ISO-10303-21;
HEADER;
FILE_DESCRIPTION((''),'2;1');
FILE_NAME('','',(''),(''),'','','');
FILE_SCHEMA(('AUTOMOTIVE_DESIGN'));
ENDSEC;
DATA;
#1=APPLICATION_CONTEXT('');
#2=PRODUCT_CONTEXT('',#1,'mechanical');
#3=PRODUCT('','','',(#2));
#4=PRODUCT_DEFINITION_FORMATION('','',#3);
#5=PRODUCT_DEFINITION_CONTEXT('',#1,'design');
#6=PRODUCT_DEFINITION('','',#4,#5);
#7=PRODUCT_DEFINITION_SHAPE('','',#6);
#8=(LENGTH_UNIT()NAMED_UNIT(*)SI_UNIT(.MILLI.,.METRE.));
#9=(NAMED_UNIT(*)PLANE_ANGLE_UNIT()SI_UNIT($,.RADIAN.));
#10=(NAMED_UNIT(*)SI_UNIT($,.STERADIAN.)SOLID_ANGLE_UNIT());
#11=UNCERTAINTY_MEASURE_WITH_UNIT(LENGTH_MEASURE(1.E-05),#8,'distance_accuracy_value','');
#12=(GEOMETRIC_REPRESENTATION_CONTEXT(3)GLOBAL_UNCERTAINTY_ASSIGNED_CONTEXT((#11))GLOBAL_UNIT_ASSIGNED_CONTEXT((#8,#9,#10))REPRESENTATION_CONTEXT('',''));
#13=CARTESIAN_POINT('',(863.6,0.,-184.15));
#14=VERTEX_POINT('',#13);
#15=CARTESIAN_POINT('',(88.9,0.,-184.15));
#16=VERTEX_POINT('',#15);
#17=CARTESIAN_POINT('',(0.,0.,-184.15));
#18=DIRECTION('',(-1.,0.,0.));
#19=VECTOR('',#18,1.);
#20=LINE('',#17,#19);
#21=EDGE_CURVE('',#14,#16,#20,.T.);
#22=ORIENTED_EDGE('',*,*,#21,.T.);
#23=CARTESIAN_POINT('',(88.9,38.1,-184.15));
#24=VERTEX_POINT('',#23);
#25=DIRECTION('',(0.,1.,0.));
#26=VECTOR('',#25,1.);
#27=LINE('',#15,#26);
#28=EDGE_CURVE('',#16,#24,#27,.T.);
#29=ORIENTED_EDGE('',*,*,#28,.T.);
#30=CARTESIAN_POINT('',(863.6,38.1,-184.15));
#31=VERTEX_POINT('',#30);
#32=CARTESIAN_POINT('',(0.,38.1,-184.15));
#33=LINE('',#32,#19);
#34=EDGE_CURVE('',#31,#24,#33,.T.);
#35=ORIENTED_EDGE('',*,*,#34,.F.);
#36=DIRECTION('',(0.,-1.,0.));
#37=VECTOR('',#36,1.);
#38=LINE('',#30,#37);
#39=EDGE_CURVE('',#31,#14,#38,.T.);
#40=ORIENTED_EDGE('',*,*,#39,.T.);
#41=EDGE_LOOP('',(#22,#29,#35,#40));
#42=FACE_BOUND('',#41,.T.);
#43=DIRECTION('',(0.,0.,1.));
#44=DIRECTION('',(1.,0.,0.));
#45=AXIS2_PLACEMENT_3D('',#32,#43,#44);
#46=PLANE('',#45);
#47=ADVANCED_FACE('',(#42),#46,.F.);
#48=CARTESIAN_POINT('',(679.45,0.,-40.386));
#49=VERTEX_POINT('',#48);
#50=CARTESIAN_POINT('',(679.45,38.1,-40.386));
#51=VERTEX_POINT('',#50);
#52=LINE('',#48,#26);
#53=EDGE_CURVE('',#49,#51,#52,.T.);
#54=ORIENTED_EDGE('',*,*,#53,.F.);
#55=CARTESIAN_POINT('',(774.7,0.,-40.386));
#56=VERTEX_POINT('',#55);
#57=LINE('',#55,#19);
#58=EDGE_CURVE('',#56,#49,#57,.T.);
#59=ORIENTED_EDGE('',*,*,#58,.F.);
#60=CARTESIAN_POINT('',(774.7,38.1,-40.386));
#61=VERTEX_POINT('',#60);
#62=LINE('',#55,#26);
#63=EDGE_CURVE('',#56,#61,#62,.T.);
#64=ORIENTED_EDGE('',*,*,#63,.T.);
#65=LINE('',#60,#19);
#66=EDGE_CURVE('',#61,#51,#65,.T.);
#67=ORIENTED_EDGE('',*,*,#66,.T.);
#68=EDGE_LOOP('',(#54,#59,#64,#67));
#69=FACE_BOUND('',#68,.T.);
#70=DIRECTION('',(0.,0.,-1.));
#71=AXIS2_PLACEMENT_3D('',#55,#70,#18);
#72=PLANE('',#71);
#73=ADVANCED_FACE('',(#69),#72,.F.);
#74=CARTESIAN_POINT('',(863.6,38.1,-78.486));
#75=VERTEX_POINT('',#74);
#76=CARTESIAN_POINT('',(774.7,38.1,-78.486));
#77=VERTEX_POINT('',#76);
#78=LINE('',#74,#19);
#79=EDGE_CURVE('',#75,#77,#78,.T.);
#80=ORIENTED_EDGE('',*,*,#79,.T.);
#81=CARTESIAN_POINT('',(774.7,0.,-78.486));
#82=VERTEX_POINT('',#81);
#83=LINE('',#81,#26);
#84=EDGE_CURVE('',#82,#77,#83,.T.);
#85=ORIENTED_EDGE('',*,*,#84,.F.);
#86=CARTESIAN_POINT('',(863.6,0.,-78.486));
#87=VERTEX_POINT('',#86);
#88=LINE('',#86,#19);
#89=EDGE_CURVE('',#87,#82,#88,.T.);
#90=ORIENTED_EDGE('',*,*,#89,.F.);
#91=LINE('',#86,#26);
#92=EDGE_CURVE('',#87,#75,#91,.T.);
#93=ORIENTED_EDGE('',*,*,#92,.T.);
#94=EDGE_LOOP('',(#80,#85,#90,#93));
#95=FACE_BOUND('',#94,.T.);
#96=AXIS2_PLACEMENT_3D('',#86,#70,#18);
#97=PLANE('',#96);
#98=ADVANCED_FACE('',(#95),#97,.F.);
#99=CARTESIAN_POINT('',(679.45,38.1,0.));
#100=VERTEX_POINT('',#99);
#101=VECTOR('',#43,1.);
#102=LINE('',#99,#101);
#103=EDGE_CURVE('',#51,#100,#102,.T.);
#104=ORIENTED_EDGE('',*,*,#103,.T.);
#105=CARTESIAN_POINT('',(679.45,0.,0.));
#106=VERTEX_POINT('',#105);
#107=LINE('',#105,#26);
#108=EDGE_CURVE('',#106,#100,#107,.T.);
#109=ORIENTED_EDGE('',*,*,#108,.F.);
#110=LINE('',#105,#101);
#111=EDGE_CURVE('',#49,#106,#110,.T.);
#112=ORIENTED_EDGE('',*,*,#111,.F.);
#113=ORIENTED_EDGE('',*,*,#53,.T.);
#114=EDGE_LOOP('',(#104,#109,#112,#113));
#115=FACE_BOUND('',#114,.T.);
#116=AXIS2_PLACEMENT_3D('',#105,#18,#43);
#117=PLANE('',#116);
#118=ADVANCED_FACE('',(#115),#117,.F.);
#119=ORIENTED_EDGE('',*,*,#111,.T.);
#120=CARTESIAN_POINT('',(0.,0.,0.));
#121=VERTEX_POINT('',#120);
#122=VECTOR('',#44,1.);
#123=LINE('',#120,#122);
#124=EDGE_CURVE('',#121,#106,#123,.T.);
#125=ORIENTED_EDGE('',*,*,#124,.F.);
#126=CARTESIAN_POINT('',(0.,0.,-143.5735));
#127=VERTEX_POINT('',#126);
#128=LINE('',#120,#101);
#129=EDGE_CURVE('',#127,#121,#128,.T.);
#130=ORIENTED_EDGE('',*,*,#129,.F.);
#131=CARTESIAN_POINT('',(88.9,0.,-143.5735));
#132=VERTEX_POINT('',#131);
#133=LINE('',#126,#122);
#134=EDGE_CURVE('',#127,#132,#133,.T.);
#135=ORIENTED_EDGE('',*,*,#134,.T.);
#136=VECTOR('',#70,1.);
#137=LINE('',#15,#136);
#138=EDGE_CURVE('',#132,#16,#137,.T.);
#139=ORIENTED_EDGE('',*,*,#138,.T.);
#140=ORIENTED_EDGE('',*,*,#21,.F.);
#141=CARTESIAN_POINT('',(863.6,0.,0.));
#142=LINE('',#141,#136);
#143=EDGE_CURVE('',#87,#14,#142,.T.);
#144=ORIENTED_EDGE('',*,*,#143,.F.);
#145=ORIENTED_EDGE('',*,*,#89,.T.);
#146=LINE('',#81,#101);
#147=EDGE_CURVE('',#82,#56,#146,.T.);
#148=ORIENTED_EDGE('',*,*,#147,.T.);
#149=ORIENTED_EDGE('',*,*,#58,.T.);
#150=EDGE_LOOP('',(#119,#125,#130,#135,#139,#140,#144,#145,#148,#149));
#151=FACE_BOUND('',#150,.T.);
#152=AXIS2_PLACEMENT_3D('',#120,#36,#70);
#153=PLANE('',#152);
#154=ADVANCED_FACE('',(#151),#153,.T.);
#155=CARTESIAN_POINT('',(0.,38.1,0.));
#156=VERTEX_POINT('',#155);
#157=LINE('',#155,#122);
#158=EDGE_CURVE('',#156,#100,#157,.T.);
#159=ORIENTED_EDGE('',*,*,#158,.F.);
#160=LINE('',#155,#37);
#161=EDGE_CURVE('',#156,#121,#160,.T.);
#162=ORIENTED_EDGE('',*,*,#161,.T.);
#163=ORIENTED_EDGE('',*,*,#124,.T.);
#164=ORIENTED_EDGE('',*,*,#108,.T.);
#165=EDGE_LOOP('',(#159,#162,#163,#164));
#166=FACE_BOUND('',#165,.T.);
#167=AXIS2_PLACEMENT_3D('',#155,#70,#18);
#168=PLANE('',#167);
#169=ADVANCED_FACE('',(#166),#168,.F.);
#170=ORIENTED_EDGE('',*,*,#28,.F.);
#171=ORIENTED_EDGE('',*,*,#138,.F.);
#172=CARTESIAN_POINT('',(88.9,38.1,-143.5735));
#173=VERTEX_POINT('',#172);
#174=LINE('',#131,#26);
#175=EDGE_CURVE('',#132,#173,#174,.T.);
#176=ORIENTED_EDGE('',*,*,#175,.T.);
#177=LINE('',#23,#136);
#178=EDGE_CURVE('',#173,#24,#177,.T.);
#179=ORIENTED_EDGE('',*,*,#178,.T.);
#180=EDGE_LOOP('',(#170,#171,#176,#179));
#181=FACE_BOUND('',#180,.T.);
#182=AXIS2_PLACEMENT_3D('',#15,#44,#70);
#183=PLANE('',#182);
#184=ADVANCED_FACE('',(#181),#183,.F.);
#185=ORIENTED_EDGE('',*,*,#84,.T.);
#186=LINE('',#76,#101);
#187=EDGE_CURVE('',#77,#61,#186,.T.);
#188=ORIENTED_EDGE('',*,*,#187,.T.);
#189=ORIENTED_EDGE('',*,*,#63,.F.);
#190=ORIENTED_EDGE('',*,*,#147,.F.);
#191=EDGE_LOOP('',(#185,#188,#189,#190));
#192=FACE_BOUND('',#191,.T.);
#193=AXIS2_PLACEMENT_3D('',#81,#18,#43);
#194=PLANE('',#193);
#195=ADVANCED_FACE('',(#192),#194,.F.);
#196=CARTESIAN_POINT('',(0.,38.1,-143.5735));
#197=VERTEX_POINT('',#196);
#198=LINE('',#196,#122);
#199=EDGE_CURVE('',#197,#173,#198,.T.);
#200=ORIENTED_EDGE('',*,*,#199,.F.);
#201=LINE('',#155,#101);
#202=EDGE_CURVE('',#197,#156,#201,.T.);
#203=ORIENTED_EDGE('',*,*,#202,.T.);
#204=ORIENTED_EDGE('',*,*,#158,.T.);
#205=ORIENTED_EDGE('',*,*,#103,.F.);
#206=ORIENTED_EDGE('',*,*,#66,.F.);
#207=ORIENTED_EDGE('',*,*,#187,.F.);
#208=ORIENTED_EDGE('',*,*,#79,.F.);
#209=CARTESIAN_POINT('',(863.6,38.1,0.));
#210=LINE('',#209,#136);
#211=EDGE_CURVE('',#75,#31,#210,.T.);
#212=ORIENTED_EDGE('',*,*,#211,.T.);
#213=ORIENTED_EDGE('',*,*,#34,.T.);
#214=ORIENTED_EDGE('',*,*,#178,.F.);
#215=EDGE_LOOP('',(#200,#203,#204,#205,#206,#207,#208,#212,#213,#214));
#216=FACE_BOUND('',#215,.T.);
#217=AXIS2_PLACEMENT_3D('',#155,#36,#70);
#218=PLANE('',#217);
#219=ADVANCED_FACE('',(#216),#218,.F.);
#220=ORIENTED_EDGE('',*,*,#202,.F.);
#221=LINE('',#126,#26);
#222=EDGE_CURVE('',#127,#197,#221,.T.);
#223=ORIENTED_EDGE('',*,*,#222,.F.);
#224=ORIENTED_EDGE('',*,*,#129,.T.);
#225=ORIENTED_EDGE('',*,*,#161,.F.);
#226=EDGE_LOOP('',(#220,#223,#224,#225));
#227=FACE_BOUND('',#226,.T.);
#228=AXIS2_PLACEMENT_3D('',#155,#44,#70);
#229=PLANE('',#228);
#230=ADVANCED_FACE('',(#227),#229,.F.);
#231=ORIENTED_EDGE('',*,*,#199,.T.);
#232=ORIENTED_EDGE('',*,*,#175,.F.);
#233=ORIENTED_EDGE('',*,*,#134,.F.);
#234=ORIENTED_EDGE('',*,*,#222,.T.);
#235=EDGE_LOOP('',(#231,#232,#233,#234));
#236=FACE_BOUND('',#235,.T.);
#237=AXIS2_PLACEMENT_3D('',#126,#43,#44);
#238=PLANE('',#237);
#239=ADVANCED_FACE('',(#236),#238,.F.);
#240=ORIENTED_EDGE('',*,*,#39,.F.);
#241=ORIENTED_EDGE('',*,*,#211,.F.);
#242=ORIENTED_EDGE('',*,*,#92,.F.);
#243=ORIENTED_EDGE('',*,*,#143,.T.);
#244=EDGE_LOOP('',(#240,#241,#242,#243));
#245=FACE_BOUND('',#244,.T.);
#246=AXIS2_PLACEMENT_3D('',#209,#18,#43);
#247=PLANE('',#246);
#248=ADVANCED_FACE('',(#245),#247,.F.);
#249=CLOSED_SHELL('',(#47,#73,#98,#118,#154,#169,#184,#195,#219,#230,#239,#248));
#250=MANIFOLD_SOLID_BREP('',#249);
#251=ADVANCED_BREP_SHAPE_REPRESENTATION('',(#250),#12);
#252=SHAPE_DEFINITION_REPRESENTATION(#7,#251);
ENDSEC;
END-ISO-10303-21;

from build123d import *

# Parameters (mm, degrees)
SKETCH1_W           = 863.6
SKETCH1_H           = 184.15
BOSS_EXTRUDE1_DEPTH = 38.1
SKETCH3_W           = 88.9
SKETCH3_H           = 40.5765
CUT_EXTRUDE1_DEPTH  = 39.1


with BuildPart() as part:
    # Sketch1 → Boss-Extrude1 (new body)
    with BuildSketch(Plane(origin=(0, 0, 0), x_dir=(1, 0, 0), z_dir=(0, 1, 0))):
        with Locations((431.8, 92.075)):
            Rectangle(SKETCH1_W, SKETCH1_H)
    extrude(amount=BOSS_EXTRUDE1_DEPTH)

    # Sketch3 → Cut-Extrude1 (cut, through all)
    with BuildSketch(Plane(origin=(0, 38.1, 0), x_dir=(1, 0, 0), z_dir=(0, 1, 0))):
        with Locations((44.45, 163.86175)):
            Rectangle(SKETCH3_W, SKETCH3_H)
        Polygon((863.6, 78.486), (774.7, 78.486), (774.7, 40.386), (679.45, 40.386), (679.45, 0), (863.6, 0), align=None)
    extrude(amount=-CUT_EXTRUDE1_DEPTH, mode=Mode.SUBTRACT)


solid = part.part
